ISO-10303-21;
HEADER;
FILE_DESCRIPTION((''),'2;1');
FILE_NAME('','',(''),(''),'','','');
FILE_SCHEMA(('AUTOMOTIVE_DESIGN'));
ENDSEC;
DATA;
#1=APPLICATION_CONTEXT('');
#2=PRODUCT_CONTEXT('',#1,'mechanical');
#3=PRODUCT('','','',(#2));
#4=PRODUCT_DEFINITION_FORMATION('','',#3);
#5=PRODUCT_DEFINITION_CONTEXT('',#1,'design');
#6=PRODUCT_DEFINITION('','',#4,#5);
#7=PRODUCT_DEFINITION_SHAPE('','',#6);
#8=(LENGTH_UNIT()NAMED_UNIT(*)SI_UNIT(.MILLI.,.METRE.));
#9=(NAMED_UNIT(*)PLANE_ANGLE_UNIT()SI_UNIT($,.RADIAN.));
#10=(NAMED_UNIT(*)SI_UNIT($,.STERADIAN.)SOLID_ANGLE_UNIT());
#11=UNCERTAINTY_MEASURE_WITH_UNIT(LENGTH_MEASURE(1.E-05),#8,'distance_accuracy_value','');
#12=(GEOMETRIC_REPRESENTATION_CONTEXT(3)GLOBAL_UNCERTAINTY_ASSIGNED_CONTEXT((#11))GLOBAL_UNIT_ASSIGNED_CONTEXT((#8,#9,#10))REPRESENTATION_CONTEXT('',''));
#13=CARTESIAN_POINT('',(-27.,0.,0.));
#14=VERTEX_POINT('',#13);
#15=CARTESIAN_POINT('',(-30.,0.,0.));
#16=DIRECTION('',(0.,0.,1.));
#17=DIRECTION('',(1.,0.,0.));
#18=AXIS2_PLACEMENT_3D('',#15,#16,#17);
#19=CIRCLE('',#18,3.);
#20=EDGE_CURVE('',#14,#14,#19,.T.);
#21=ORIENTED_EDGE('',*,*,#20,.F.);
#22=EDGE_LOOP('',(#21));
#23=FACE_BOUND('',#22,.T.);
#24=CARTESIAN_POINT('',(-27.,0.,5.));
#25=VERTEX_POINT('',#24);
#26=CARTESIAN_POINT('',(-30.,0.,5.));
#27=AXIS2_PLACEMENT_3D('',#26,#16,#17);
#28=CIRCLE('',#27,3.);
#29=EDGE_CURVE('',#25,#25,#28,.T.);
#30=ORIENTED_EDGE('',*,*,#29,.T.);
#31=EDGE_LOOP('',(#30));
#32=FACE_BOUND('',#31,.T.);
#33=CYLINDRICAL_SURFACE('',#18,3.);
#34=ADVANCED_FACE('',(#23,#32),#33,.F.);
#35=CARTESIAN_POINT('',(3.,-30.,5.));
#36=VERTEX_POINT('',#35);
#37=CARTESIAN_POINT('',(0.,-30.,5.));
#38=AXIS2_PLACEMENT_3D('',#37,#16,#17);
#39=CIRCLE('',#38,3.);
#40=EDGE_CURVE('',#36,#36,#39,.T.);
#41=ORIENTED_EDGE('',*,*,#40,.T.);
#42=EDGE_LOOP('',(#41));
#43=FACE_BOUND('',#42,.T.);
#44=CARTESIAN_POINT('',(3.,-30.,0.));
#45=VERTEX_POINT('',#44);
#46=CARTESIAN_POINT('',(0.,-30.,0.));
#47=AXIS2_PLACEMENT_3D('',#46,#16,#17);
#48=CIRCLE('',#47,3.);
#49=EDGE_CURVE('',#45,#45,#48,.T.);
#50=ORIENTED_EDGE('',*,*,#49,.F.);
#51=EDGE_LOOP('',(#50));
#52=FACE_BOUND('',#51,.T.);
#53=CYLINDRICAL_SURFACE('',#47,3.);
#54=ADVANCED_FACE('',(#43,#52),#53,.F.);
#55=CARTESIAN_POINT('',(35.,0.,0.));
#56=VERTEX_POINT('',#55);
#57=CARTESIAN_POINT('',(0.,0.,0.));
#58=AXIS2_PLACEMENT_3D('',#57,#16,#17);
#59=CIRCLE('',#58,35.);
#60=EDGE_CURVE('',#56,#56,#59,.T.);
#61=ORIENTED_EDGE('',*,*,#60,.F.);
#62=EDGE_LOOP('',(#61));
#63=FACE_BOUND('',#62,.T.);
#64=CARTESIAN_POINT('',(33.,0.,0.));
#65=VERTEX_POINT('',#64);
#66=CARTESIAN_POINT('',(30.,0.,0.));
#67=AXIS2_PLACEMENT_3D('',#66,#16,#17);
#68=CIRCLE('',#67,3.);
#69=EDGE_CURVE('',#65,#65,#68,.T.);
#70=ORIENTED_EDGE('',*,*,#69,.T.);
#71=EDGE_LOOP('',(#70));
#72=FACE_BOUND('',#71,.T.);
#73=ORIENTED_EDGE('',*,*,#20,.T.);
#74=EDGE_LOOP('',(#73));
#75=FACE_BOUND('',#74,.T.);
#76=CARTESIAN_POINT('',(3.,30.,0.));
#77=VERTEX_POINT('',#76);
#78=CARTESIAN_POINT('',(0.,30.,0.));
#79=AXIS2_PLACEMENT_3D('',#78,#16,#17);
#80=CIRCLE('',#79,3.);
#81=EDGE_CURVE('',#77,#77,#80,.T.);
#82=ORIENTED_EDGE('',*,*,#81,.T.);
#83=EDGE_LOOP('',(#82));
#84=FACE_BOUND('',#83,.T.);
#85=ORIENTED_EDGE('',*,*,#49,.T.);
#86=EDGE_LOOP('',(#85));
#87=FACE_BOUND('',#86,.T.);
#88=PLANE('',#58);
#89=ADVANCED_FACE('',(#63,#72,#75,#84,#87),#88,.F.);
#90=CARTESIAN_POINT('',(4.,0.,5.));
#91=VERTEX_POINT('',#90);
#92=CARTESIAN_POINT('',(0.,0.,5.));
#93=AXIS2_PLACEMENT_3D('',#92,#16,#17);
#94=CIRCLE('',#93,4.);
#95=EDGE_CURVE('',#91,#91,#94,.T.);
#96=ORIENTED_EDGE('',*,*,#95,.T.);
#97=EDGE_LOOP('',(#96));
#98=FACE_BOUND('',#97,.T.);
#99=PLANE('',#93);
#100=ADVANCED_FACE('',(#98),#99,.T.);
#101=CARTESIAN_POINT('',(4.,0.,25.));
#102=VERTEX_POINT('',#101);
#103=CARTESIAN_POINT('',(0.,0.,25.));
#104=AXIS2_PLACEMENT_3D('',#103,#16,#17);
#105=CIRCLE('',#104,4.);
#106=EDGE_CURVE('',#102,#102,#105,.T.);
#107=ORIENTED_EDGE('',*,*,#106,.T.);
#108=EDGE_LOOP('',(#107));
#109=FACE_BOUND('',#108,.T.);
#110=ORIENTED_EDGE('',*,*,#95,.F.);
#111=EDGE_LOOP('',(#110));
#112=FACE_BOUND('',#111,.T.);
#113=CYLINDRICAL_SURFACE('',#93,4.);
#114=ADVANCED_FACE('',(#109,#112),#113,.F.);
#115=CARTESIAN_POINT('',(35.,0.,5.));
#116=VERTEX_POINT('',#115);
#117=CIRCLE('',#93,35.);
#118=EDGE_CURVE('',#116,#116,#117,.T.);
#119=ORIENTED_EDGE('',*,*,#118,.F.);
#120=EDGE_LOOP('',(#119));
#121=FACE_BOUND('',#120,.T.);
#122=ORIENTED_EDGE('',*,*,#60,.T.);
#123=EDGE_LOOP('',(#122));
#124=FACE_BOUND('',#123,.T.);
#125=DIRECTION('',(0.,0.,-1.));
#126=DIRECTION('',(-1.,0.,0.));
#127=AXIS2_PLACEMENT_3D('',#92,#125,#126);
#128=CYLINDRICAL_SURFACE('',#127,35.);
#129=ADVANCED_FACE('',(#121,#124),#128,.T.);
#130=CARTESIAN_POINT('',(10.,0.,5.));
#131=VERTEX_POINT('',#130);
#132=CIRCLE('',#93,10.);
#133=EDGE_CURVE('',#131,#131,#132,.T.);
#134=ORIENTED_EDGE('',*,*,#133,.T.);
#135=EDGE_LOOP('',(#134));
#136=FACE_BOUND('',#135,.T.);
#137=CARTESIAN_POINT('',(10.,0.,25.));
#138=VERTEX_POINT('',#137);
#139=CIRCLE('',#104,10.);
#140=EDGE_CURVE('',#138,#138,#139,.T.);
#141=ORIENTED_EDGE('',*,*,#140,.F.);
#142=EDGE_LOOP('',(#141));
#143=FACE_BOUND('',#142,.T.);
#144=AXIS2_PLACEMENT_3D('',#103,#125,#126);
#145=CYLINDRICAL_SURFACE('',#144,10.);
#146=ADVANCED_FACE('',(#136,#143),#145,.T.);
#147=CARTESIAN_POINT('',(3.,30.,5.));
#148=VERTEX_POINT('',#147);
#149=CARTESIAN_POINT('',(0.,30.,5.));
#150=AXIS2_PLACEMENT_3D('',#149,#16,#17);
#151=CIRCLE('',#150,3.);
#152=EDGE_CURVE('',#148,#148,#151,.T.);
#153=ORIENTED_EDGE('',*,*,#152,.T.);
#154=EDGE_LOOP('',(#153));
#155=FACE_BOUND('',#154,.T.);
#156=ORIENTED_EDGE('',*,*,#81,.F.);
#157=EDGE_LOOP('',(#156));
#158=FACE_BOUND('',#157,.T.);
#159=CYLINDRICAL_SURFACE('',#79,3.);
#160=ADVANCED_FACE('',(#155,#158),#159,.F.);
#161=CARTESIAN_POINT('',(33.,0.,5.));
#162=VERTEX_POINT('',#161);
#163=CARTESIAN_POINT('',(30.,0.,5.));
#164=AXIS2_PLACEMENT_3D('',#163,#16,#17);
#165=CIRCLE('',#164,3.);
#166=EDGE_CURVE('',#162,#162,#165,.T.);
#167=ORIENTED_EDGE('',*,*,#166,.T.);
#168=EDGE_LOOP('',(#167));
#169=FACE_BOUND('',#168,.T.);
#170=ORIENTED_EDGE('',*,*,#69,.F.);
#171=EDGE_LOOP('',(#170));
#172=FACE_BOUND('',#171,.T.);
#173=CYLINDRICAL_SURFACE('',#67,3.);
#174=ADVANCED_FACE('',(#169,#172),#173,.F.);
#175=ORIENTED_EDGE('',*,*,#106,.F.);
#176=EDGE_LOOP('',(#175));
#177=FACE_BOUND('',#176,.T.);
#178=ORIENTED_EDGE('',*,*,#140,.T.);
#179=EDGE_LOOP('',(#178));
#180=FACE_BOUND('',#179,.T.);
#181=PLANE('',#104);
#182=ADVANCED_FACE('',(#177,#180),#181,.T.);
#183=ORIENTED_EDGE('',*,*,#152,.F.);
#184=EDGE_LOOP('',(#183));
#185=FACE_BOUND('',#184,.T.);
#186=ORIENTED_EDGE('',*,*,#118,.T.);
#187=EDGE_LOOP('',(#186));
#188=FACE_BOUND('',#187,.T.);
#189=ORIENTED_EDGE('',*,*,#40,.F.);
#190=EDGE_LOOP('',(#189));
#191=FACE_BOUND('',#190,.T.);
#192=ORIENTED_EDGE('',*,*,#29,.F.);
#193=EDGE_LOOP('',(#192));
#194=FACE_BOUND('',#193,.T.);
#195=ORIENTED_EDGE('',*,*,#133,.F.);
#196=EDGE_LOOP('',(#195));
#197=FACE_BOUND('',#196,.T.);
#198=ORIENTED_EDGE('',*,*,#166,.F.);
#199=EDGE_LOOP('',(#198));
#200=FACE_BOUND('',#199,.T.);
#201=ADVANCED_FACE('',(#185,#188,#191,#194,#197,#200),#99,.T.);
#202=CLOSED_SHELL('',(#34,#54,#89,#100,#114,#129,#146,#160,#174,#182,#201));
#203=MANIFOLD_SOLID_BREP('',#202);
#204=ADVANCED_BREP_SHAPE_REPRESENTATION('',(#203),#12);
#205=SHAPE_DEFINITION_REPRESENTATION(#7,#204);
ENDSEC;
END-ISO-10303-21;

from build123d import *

# Parameters (mm, degrees)
SKETCH1_R           = 35
BOSS_EXTRUDE1_DEPTH = 5
SKETCH4_R           = 3
CUT_EXTRUDE1_DEPTH  = 5
SKETCH5_R           = 10
BOSS_EXTRUDE2_DEPTH = 20
SKETCH6_R           = 4
CUT_EXTRUDE2_DEPTH  = 20


with BuildPart() as part:
    # Sketch1 → Boss-Extrude1 (new body)
    with BuildSketch(Plane.XY):
        Circle(SKETCH1_R)
    extrude(amount=BOSS_EXTRUDE1_DEPTH)

    # Sketch4 → Cut-Extrude1 (cut)
    with BuildSketch(Plane.XY.offset(5)):
        with Locations((0, 30)):
            Circle(SKETCH4_R)
        with Locations((30, 0)):
            Circle(SKETCH4_R)
        with Locations((0, -30)):
            Circle(SKETCH4_R)
        with Locations((-30, 0)):
            Circle(SKETCH4_R)
    extrude(amount=-CUT_EXTRUDE1_DEPTH, mode=Mode.SUBTRACT)

    # Sketch5 → Boss-Extrude2 (add)
    with BuildSketch(Plane.XY.offset(5)):
        Circle(SKETCH5_R)
    extrude(amount=BOSS_EXTRUDE2_DEPTH)

    # Sketch6 → Cut-Extrude2 (cut)
    with BuildSketch(Plane.XY.offset(25)):
        Circle(SKETCH6_R)
    extrude(amount=-CUT_EXTRUDE2_DEPTH, mode=Mode.SUBTRACT)


solid = part.part
